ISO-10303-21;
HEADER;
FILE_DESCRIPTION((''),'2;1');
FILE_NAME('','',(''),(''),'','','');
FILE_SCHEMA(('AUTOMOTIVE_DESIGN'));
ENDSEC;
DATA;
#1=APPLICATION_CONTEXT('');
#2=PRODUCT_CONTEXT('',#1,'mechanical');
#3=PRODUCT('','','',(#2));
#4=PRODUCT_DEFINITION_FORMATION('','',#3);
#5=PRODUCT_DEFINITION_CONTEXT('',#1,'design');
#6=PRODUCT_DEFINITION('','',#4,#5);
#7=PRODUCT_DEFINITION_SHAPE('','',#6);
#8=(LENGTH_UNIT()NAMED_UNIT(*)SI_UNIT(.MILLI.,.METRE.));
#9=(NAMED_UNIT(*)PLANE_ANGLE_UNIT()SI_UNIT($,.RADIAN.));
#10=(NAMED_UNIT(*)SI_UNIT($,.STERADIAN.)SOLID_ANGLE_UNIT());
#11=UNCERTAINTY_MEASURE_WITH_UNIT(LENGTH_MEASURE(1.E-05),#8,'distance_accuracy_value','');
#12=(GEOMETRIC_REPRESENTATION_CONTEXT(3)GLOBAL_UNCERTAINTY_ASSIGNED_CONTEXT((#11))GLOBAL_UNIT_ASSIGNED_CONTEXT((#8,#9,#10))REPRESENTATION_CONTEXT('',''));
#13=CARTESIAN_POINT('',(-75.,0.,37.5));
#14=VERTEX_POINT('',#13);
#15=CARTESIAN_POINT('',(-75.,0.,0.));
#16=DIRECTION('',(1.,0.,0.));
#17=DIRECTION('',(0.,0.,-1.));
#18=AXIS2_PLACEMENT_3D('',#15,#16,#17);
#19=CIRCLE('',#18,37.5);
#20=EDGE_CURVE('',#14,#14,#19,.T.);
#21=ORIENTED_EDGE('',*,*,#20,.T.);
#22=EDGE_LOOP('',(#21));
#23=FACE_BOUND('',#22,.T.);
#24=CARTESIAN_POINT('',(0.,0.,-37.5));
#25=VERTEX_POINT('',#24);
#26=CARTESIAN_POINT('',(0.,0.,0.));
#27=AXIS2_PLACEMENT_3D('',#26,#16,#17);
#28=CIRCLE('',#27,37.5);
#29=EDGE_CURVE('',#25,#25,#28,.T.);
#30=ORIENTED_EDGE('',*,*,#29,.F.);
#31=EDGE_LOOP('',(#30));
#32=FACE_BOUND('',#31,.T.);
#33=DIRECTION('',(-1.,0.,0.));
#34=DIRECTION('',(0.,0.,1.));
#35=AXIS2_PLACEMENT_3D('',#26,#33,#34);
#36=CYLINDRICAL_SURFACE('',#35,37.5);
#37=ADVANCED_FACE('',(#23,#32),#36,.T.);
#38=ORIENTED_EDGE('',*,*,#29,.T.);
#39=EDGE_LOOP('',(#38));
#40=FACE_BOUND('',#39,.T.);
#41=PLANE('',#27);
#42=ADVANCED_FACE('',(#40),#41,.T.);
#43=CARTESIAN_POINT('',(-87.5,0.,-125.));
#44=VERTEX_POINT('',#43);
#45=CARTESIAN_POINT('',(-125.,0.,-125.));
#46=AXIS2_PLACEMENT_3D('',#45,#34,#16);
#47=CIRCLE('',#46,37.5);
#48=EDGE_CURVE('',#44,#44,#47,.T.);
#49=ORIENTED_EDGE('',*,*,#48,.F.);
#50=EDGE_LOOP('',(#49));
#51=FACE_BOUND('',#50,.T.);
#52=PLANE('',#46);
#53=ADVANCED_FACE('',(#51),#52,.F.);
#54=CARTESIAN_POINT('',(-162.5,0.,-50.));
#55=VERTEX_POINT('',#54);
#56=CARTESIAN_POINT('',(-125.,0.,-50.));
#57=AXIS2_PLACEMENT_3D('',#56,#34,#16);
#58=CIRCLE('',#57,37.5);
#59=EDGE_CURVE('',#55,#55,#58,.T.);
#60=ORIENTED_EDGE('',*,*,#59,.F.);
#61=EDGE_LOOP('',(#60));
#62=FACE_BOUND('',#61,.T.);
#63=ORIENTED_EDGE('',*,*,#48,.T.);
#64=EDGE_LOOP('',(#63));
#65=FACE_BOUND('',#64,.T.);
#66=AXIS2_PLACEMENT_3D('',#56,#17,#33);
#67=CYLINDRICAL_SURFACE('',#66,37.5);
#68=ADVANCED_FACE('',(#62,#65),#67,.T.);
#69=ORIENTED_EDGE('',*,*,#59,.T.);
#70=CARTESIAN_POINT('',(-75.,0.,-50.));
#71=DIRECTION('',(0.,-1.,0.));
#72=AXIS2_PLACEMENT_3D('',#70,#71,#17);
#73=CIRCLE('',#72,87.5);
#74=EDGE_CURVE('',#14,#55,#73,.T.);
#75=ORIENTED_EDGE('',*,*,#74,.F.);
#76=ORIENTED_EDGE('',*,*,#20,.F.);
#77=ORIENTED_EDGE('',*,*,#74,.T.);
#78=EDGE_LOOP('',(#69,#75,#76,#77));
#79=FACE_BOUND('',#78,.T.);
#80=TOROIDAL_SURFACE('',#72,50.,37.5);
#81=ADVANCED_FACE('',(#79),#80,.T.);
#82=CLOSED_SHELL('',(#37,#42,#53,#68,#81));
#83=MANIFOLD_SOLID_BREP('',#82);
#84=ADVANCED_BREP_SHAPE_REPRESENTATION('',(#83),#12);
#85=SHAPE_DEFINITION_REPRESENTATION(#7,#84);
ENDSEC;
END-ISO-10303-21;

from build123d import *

# Parameters (mm, degrees)
SWEEP1_PROFILE_R = 37.5


with BuildPart() as part:
    # Sweep1: sweep along a path in Sketch1
    with BuildLine(Plane(origin=(0, 0, 0), x_dir=(1, 0, 0), z_dir=(0, 1, 0))) as sweep1_path:
        Line((0, 0), (-75, 0))
        ThreePointArc((-75, 0), (-110.355339059, 14.644660941), (-125, 50))
        Line((-125, 50), (-125, 125))
    # Sweep1 profile (on start of the path) → Sweep1 (sweep)
    with BuildSketch(Plane(origin=(0, 0, 0), x_dir=(0, 0, -1), z_dir=(-1, 0, 0))):
        Circle(SWEEP1_PROFILE_R)
    sweep(path=sweep1_path.line)


solid = part.part
